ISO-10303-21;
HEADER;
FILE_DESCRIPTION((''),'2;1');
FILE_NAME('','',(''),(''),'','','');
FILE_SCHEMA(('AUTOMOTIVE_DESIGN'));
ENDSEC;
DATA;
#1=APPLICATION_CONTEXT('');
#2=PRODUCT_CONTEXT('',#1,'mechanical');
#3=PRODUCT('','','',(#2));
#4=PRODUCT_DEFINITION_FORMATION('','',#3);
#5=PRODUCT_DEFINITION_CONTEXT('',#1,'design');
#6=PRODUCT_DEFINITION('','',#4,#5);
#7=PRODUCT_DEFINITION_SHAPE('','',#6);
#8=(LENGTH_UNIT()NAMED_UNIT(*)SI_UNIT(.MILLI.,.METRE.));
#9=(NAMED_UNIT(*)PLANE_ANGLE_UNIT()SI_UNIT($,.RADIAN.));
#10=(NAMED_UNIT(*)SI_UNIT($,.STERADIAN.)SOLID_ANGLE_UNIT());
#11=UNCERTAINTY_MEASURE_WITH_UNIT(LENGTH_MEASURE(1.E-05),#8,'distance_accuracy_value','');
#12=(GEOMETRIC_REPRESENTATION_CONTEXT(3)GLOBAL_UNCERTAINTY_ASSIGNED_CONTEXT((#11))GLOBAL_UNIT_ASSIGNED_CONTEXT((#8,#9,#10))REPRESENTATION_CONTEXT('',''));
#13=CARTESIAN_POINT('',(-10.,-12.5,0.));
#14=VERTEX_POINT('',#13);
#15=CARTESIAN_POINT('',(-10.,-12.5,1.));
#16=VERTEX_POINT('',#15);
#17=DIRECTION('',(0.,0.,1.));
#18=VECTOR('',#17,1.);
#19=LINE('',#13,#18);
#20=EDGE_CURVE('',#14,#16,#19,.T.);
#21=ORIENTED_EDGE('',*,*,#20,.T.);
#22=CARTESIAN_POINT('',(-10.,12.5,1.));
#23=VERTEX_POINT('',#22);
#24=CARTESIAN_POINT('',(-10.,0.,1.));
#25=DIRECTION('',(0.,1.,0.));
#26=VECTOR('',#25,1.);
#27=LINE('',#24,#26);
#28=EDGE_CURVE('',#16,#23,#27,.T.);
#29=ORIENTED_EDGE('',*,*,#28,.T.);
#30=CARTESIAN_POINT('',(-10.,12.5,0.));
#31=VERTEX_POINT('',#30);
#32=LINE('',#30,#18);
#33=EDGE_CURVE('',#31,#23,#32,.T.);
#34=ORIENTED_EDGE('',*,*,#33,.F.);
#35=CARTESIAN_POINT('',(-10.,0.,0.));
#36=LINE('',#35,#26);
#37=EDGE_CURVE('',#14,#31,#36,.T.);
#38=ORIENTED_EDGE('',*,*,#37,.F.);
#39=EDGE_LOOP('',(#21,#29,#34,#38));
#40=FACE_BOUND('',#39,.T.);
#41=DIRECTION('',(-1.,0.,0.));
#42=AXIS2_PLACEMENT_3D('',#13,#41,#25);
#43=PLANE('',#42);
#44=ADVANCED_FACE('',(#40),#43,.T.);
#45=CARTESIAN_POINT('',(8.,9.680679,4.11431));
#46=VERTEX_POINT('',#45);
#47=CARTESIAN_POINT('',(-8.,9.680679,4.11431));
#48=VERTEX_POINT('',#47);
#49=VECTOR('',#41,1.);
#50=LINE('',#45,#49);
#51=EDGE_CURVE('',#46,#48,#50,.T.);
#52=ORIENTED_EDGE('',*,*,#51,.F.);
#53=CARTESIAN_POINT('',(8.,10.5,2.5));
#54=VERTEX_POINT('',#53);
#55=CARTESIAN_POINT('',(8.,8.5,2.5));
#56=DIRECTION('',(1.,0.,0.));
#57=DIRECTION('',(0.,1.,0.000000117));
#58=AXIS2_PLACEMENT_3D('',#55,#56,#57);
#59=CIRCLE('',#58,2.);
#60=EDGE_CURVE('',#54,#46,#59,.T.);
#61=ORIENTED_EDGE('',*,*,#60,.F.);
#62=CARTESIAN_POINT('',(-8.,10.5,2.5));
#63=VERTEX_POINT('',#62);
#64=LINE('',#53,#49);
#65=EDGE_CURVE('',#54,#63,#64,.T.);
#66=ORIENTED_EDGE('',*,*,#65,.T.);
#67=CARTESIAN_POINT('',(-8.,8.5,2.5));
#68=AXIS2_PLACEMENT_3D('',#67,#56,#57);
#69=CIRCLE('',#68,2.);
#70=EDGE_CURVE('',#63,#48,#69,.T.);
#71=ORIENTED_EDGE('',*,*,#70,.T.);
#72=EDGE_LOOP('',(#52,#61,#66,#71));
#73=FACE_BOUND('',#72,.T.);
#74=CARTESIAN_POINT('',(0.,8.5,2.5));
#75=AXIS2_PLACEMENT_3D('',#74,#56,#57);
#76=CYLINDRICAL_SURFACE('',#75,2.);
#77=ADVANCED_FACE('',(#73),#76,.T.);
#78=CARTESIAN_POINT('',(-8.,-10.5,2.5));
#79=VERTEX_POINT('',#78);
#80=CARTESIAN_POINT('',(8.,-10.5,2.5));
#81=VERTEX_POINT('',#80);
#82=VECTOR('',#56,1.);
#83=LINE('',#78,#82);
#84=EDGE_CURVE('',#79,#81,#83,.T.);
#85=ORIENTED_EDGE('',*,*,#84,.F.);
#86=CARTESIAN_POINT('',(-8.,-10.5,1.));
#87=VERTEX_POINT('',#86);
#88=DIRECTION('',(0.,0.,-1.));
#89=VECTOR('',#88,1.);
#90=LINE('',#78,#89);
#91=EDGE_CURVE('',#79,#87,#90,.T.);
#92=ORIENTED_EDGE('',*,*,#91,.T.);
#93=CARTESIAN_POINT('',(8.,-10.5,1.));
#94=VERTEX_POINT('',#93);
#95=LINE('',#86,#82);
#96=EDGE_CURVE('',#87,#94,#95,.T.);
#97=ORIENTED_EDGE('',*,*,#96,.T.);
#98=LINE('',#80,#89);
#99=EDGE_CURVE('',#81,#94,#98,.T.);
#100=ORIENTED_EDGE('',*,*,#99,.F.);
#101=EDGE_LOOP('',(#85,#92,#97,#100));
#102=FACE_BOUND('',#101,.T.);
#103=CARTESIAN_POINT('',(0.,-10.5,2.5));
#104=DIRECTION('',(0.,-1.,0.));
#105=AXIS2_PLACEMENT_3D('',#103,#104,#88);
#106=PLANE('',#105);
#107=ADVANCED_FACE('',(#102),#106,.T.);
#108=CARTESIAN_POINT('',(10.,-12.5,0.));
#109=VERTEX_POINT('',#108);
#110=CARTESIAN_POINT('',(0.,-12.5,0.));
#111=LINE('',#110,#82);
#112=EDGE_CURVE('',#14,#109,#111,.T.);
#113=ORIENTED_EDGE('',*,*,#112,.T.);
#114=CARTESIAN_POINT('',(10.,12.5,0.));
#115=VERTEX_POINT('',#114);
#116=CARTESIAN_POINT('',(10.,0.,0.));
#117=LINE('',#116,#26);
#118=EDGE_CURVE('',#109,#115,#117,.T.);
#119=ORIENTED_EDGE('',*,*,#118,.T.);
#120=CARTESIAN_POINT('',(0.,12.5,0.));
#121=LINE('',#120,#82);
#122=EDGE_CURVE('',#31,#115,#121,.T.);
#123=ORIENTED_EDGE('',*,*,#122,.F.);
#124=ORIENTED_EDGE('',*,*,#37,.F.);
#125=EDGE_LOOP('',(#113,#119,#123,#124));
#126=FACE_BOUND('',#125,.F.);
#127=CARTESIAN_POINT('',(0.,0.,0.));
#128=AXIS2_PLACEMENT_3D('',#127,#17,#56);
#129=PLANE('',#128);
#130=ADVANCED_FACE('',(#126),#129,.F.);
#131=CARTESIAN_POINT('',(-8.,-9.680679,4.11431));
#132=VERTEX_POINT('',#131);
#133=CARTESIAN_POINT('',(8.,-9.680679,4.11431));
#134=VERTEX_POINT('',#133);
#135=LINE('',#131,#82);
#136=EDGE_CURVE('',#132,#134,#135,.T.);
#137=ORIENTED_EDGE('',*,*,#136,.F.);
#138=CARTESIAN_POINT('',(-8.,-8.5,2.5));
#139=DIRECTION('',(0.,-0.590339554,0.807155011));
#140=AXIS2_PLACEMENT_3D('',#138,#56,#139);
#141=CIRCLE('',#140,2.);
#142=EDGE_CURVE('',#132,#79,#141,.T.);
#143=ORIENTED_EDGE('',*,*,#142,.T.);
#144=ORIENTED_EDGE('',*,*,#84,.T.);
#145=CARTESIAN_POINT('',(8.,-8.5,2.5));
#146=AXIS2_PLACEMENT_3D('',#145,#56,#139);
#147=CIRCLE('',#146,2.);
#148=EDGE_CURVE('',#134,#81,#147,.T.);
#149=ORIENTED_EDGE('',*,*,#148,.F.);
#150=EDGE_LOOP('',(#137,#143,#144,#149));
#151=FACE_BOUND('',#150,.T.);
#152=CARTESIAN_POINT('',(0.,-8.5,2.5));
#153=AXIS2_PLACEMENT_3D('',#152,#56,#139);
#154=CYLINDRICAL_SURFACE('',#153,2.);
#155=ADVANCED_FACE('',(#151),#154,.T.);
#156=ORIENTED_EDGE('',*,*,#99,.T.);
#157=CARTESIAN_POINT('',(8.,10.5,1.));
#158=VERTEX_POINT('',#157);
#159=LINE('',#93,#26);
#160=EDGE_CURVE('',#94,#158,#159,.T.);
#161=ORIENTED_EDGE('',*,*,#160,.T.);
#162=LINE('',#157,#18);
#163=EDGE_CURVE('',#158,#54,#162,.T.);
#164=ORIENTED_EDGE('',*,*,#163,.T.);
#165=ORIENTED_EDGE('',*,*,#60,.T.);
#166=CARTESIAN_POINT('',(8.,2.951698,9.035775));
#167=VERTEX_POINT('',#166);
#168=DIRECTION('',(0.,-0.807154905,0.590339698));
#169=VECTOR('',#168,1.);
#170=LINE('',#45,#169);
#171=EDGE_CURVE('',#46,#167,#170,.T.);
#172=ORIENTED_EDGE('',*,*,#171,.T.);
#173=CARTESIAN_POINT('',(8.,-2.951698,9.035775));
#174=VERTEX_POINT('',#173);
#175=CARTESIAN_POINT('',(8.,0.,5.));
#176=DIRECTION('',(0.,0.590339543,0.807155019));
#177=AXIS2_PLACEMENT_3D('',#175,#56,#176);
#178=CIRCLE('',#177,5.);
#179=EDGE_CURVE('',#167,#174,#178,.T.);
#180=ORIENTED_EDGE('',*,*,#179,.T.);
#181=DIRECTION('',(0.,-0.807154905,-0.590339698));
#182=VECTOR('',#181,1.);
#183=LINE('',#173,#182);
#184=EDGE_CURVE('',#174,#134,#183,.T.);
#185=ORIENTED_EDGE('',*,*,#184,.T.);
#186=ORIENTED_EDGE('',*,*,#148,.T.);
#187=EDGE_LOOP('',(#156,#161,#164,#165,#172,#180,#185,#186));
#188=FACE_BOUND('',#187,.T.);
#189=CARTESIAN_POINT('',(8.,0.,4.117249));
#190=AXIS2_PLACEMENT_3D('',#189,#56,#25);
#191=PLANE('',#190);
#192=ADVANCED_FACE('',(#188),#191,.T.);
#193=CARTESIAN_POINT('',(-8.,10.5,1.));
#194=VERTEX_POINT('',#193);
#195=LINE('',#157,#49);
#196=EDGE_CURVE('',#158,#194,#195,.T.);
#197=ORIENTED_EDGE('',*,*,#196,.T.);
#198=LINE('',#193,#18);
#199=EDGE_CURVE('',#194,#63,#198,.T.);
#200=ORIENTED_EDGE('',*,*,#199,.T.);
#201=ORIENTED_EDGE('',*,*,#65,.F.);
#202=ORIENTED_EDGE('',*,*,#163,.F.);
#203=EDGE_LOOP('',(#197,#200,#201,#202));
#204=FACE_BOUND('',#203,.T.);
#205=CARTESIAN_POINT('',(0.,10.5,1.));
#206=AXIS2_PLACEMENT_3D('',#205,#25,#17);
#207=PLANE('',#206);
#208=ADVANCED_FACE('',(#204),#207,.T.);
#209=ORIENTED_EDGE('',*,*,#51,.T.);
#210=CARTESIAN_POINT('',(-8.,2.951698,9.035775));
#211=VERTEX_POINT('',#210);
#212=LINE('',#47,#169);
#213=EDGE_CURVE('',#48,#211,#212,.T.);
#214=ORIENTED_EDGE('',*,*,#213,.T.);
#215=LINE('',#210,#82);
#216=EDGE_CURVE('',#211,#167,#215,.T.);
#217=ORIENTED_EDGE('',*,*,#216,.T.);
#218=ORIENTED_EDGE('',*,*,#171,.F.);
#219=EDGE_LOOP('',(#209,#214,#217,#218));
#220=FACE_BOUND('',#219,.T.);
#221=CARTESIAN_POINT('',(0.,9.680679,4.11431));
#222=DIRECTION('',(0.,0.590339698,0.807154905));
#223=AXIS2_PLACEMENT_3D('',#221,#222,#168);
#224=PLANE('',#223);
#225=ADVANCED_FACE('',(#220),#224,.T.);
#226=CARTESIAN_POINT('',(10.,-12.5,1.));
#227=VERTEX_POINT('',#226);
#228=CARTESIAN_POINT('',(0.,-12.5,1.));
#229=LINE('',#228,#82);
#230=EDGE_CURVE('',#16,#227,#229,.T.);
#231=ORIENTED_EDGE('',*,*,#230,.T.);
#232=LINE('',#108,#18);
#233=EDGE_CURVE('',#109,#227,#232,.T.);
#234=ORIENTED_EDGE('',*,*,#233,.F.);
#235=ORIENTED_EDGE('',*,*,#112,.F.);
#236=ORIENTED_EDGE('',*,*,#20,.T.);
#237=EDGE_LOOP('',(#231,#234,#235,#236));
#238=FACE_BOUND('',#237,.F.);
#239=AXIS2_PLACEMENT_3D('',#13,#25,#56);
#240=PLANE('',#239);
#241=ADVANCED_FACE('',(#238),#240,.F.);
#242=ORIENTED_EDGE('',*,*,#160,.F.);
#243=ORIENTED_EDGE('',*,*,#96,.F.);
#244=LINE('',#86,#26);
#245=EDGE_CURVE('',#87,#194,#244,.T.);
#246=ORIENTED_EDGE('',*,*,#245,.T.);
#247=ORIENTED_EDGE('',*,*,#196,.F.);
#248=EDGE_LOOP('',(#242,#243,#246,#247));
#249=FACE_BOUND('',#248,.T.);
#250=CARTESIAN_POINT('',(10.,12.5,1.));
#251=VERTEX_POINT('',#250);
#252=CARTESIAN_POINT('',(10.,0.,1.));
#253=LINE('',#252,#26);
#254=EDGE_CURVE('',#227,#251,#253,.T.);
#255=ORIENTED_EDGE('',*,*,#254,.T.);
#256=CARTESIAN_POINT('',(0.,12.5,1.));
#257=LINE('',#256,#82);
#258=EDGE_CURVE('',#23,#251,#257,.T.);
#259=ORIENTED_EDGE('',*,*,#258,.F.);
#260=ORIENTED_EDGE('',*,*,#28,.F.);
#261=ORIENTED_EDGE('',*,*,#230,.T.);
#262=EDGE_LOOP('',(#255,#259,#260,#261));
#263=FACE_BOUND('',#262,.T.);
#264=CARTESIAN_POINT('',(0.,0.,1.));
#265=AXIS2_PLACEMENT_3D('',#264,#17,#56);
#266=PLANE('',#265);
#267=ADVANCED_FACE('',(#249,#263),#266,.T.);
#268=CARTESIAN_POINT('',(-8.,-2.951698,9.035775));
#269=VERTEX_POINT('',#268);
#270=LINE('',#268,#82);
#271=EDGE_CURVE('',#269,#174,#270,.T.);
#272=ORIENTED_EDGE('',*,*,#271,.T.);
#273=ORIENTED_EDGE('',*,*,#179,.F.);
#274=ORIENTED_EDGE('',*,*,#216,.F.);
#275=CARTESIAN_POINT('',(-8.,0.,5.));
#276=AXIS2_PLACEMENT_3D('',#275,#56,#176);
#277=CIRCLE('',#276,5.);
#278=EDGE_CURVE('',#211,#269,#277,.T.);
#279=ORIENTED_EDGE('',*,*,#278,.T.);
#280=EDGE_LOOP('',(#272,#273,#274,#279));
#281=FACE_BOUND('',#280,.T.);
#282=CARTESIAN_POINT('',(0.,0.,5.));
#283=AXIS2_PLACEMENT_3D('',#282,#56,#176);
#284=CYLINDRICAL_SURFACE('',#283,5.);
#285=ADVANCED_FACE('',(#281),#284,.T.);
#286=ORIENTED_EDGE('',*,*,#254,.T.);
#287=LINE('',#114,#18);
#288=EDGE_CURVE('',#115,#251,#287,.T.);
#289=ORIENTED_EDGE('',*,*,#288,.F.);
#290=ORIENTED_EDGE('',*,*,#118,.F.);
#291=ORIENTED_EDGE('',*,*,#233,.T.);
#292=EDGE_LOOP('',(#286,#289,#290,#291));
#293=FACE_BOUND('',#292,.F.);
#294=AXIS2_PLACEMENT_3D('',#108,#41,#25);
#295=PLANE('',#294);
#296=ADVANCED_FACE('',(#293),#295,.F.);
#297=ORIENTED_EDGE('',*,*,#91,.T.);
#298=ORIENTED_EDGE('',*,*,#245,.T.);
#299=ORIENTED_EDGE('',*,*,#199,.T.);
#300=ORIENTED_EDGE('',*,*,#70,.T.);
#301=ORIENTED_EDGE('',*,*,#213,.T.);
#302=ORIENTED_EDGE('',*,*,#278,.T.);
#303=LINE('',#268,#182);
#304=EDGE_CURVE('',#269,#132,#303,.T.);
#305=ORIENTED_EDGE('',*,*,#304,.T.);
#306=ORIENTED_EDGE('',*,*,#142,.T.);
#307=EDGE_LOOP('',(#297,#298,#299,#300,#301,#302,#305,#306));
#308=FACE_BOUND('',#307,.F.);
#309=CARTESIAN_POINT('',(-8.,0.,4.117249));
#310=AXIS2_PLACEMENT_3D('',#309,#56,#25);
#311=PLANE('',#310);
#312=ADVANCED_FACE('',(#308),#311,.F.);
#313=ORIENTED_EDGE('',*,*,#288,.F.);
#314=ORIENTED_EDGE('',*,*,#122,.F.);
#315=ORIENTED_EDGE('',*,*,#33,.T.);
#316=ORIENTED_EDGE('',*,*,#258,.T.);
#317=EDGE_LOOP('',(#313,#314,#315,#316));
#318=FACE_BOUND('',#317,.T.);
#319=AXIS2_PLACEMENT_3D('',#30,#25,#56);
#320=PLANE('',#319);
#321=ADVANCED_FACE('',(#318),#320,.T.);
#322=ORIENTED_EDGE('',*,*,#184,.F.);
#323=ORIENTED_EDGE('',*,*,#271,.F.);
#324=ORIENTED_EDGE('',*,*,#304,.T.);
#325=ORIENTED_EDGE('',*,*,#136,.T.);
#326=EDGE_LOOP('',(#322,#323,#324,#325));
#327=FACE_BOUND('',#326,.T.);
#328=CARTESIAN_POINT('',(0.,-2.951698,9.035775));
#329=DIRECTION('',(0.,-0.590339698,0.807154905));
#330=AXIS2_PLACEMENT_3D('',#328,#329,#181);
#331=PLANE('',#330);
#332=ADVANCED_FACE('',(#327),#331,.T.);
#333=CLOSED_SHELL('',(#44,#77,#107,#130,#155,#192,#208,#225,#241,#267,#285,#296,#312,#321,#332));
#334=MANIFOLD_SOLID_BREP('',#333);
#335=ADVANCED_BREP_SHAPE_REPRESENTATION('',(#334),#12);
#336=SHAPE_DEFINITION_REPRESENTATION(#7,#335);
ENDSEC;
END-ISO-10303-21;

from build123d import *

# Parameters (mm, degrees)
F0_W     = 20
F0_H     = 25
F1_DEPTH = 1
F3_DEPTH = 8


with BuildPart() as f1:
    # F0 (on Top) → F1 (new body)
    with BuildSketch(Plane.XY):
        Rectangle(F0_W, F0_H)
    extrude(amount=F1_DEPTH)

    # F2 (on Right) → F3 (join, symmetric)
    with BuildSketch(Plane.YZ):
        with BuildLine():
            Line((9.680679, 4.11431), (2.951698, 9.035775))
            ThreePointArc((2.951698, 9.035775), (0, 10), (-2.951698, 9.035775))
            Line((-2.951698, 9.035775), (-9.680679, 4.11431))
            ThreePointArc((-9.680679, 4.11431), (-10.283446, 3.405163), (-10.5, 2.5))
            Line((-10.5, 2.5), (-10.5, 1))
            Line((-10.5, 1), (10.5, 1))
            Line((10.5, 1), (10.5, 2.5))
            ThreePointArc((10.5, 2.5), (10.283446, 3.405163), (9.680679, 4.11431))
        make_face()
    extrude(amount=F3_DEPTH, both=True)


solid = f1.part
